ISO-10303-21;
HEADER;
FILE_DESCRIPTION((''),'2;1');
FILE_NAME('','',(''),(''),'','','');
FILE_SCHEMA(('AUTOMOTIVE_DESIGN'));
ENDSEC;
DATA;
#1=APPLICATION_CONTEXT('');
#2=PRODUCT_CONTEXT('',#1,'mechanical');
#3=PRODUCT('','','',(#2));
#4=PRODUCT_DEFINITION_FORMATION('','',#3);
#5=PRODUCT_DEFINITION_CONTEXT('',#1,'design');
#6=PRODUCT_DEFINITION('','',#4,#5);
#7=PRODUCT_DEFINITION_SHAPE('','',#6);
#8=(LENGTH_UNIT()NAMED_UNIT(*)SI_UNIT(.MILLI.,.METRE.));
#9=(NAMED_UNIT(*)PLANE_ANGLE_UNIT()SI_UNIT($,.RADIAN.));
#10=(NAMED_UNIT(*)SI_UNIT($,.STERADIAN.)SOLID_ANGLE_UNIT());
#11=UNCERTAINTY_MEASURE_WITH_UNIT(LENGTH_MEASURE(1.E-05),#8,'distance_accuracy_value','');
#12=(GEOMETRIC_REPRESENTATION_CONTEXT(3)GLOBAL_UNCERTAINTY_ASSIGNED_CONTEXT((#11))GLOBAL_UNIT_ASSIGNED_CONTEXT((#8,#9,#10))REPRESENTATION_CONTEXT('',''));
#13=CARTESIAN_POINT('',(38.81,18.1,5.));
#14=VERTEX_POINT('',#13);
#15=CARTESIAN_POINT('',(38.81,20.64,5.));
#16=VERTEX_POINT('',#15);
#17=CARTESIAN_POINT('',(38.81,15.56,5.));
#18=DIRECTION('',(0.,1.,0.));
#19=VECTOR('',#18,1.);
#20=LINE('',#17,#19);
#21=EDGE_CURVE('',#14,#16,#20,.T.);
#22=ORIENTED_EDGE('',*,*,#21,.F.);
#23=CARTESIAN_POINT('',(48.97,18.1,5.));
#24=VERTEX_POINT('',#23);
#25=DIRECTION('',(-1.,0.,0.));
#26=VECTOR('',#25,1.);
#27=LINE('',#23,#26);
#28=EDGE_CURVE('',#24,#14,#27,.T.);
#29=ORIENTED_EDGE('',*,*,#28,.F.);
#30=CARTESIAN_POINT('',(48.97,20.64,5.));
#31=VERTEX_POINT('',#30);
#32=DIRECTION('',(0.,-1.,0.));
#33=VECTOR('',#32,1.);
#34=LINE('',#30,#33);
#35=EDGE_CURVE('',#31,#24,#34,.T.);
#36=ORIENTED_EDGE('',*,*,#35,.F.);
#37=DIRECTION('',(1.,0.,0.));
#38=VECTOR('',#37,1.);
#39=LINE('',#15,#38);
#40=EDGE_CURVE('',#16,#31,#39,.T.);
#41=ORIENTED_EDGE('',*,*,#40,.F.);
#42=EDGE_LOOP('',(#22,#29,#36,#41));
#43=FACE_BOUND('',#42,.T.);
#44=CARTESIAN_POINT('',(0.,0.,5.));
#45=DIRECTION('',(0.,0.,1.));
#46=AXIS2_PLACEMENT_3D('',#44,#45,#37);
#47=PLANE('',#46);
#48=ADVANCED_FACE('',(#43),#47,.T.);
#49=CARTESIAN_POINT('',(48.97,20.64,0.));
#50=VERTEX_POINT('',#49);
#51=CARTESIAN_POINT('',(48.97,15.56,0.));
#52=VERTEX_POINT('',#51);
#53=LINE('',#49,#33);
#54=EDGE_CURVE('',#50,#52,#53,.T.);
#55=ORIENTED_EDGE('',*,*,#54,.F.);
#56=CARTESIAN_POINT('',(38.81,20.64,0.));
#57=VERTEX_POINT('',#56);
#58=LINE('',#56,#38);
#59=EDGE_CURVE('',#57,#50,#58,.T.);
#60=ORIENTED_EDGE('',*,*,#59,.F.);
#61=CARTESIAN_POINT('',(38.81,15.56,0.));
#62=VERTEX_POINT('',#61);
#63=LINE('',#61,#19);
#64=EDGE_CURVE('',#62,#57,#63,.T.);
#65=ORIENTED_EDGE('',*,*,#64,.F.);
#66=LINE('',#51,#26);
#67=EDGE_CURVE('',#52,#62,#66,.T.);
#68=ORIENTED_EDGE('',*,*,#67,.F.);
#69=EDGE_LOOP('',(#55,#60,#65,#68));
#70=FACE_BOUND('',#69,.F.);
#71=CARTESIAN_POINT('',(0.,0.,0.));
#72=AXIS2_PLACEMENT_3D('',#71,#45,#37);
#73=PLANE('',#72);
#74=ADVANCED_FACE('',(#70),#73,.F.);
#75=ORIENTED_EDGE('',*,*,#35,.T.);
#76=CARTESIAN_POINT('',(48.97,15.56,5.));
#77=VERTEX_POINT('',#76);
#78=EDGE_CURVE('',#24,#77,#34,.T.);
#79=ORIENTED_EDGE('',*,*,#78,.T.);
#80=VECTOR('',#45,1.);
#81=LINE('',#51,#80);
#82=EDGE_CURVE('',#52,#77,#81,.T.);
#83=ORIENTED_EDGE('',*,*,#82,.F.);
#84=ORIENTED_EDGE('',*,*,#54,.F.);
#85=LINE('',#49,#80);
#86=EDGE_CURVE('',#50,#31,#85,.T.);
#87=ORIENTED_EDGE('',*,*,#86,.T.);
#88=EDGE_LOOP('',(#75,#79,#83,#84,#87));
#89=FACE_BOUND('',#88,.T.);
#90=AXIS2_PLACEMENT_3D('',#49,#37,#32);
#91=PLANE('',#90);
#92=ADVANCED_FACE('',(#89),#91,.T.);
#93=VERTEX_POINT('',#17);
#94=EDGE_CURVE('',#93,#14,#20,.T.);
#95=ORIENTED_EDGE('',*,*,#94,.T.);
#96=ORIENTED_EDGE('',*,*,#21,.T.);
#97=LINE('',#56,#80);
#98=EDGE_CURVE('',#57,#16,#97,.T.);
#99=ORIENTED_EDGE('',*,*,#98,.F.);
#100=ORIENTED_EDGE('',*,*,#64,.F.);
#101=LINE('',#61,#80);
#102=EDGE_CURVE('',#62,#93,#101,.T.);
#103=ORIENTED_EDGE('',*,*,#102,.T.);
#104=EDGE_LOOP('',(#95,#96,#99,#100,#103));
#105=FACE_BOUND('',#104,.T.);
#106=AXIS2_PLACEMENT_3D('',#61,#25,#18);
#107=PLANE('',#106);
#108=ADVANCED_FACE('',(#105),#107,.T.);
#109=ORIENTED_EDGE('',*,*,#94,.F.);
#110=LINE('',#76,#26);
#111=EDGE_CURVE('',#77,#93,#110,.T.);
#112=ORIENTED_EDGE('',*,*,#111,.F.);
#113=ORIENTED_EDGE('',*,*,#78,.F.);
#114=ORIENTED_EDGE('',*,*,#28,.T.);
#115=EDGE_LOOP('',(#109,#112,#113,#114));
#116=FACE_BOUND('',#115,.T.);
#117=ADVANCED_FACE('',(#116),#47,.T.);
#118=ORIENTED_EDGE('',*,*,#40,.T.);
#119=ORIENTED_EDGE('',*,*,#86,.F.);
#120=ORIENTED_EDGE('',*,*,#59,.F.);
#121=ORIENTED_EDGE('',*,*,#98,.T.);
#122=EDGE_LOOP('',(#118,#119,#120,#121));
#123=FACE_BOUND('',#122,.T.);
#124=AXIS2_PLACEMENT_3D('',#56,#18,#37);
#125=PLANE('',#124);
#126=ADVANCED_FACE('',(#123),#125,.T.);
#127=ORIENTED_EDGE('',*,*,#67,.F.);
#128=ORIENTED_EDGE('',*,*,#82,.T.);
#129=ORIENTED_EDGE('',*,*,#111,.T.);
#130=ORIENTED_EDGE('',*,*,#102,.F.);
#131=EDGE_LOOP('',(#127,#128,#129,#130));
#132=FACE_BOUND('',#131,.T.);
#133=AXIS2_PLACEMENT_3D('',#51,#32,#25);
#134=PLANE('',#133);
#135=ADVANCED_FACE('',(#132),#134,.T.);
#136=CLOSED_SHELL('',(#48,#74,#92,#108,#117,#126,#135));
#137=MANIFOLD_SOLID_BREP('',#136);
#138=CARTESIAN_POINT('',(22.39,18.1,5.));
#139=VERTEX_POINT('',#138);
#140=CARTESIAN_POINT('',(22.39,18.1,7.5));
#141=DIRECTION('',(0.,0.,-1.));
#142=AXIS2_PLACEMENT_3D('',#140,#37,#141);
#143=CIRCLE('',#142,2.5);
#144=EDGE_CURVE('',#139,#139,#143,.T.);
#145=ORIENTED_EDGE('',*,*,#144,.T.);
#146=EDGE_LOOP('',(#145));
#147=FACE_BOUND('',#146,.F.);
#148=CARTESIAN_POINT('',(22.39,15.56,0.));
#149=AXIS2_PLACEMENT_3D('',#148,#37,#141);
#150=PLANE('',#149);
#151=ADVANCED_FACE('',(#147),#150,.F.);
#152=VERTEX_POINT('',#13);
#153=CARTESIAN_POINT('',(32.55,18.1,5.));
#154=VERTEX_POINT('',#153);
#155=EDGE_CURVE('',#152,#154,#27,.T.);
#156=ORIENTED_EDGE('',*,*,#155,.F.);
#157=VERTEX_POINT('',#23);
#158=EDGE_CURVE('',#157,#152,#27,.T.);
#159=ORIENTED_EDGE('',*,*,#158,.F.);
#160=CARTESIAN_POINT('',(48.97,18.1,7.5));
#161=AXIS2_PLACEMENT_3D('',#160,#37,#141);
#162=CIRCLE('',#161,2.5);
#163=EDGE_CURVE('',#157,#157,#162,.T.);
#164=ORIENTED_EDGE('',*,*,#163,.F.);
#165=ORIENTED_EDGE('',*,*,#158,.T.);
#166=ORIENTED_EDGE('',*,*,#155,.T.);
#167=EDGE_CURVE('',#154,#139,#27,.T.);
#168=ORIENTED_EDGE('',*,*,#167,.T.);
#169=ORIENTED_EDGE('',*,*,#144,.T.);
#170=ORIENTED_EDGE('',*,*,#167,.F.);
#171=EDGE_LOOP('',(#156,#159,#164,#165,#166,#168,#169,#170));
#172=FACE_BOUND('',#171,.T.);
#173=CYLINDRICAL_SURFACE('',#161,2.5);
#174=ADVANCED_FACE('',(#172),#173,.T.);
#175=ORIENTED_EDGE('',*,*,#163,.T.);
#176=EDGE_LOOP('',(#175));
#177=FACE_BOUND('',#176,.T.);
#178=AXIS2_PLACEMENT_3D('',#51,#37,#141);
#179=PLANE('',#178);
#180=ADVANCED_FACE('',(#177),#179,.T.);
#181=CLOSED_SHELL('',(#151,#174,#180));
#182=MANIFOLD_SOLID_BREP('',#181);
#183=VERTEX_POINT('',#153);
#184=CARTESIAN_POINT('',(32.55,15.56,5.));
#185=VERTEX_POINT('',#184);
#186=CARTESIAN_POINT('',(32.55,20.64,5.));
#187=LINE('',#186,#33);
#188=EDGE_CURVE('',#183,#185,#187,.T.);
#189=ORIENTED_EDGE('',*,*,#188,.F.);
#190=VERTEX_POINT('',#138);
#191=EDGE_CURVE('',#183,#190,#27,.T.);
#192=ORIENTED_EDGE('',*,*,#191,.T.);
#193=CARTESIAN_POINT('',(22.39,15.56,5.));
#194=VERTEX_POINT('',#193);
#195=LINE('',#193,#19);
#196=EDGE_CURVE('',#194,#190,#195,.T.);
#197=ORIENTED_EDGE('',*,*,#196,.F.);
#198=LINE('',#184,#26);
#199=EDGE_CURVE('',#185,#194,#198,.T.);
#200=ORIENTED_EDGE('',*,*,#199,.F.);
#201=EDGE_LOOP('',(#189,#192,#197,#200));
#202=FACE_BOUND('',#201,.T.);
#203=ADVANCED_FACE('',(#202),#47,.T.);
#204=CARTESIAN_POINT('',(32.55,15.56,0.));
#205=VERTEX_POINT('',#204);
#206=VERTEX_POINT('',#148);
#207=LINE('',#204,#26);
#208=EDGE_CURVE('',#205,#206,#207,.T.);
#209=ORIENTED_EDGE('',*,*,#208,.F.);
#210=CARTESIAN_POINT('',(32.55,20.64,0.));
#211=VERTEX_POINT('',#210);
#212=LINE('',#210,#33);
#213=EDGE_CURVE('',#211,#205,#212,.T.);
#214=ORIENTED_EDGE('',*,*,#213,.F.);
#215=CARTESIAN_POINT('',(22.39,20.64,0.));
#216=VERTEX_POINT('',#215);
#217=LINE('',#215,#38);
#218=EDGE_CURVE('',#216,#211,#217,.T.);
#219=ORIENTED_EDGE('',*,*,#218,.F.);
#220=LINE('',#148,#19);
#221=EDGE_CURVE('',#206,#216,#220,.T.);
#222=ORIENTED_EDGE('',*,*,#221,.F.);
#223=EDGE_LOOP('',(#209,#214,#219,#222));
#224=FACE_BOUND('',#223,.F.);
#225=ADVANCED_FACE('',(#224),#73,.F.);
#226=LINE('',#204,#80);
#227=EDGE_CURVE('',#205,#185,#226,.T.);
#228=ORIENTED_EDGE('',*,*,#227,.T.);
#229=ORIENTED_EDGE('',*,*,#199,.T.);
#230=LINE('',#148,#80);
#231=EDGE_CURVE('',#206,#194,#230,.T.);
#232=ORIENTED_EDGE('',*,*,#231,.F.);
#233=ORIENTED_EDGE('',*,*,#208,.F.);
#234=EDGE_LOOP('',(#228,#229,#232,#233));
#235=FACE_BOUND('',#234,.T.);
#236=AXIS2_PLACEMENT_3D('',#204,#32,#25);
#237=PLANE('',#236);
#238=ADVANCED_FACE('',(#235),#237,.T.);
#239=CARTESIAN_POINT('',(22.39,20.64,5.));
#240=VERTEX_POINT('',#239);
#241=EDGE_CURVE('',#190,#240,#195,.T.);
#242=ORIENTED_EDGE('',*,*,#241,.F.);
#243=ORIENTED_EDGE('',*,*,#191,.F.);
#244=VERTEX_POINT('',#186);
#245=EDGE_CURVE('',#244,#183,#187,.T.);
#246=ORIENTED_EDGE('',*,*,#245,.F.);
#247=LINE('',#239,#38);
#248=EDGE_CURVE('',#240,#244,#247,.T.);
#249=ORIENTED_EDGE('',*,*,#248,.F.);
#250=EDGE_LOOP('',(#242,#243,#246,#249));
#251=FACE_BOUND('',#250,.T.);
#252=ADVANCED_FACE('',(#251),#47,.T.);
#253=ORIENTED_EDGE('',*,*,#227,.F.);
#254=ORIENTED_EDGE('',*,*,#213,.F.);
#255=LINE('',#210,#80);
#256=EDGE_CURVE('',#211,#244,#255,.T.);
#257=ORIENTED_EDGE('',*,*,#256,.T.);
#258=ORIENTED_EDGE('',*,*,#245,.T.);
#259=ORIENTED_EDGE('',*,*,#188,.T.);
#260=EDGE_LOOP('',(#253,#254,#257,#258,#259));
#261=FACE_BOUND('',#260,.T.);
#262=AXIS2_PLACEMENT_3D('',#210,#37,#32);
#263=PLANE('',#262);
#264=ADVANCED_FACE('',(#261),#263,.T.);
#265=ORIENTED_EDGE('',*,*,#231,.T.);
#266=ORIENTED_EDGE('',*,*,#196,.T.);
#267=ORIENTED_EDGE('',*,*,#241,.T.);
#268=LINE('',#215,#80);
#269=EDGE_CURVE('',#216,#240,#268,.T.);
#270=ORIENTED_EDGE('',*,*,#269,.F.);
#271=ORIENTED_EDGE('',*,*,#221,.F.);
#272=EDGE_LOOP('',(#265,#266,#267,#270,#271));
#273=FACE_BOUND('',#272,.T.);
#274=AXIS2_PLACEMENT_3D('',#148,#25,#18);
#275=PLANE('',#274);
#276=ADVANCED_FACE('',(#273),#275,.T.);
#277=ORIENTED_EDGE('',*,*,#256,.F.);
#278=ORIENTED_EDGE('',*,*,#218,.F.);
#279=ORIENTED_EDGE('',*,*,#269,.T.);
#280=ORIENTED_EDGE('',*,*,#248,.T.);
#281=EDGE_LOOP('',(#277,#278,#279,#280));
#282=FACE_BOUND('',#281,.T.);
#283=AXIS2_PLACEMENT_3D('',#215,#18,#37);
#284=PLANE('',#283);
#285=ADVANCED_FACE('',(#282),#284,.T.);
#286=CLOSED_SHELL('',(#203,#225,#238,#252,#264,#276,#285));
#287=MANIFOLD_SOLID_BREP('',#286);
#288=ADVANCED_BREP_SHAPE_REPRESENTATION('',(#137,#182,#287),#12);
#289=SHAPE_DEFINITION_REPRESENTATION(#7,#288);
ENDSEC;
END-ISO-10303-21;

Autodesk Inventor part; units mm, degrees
ref_plane "YZ Plane" through (0, 0, 0) normal (1, 0, 0) x (0, 1, 0)
ref_plane "XZ Plane" through (0, 0, 0) normal (0, 1, 0) x (-1, 0, 0)
ref_plane "XY Plane" through (0, 0, 0) normal (0, 0, 1) x (1, 0, 0)
ref_plane "Work Plane1" through (0, 0, 0) normal (0, 0, 1) x (1, 0, 0)
sketch "Sketch1" plane through (0, 0, 0) normal (0, 0, 1) x (1, 0, 0)
  circle A0 centre (23.98, 18.1) radius 0.8 projected
  circle A1 centre (47.16, 18.1) radius 0.8 projected
  circle A2 centre (40.4, 18.1) radius 0.8 projected
  circle A3 centre (30.74, 18.1) radius 0.8 projected
  line L0 (22.39, 20.64) -> (32.55, 20.64)
  line L1 (32.55, 20.64) -> (32.55, 15.56)
  line L2 (32.55, 15.56) -> (22.39, 15.56)
  line L3 (22.39, 15.56) -> (22.39, 20.64)
  circle A4 centre (27.47, 18.1025) radius 0.3 projected
  circle A5 centre (43.98, 16.8325) radius 0.3 projected
  line L4 (38.81, 20.64) -> (48.97, 20.64)
  line L5 (48.97, 20.64) -> (48.97, 15.56)
  line L6 (48.97, 15.56) -> (38.81, 15.56)
  line L7 (38.81, 15.56) -> (38.81, 20.64)
  point P0 (0, 0)
  point P1 (32.55, 18.1)
  point P2 (27.47, 20.64)
  dimension "d0" = 5.08
  dimension "d1" = 10.16
  dimension "d2" = 5.08
  dimension "d3" = 10.16
extrude "Extrusion1" add sketch "Sketch1" along normal blind 5 contours A0 | A1 | A2 | A3 | L0 L1 L2 L3 | A4 | A5 | L4 L5 L6 L7
sketch "Sketch2" plane through (48.97, 15.56, 0) normal (1, 0, 0) x (0, 0, -1)
  line L0 (0, 5.08) -> (0, 0) projected
  line L1 (0, 5.08) -> (-5, 5.08) projected
  line L2 (-5, 0) -> (-5, 5.08) projected
  line L3 (0, 0) -> (-5, 0) projected
  circle A0 centre (-7.5, 2.54) radius 2.5
  point P0 (0, -15.56)
  point P1 (-5, 2.54)
  dimension "d6" = 5
  dimension "d7" = 2.5
extrude "Extrusion2" add sketch "Sketch2" against normal up to surface (26.58 mm away) contours A0
properties part number "fuse"
